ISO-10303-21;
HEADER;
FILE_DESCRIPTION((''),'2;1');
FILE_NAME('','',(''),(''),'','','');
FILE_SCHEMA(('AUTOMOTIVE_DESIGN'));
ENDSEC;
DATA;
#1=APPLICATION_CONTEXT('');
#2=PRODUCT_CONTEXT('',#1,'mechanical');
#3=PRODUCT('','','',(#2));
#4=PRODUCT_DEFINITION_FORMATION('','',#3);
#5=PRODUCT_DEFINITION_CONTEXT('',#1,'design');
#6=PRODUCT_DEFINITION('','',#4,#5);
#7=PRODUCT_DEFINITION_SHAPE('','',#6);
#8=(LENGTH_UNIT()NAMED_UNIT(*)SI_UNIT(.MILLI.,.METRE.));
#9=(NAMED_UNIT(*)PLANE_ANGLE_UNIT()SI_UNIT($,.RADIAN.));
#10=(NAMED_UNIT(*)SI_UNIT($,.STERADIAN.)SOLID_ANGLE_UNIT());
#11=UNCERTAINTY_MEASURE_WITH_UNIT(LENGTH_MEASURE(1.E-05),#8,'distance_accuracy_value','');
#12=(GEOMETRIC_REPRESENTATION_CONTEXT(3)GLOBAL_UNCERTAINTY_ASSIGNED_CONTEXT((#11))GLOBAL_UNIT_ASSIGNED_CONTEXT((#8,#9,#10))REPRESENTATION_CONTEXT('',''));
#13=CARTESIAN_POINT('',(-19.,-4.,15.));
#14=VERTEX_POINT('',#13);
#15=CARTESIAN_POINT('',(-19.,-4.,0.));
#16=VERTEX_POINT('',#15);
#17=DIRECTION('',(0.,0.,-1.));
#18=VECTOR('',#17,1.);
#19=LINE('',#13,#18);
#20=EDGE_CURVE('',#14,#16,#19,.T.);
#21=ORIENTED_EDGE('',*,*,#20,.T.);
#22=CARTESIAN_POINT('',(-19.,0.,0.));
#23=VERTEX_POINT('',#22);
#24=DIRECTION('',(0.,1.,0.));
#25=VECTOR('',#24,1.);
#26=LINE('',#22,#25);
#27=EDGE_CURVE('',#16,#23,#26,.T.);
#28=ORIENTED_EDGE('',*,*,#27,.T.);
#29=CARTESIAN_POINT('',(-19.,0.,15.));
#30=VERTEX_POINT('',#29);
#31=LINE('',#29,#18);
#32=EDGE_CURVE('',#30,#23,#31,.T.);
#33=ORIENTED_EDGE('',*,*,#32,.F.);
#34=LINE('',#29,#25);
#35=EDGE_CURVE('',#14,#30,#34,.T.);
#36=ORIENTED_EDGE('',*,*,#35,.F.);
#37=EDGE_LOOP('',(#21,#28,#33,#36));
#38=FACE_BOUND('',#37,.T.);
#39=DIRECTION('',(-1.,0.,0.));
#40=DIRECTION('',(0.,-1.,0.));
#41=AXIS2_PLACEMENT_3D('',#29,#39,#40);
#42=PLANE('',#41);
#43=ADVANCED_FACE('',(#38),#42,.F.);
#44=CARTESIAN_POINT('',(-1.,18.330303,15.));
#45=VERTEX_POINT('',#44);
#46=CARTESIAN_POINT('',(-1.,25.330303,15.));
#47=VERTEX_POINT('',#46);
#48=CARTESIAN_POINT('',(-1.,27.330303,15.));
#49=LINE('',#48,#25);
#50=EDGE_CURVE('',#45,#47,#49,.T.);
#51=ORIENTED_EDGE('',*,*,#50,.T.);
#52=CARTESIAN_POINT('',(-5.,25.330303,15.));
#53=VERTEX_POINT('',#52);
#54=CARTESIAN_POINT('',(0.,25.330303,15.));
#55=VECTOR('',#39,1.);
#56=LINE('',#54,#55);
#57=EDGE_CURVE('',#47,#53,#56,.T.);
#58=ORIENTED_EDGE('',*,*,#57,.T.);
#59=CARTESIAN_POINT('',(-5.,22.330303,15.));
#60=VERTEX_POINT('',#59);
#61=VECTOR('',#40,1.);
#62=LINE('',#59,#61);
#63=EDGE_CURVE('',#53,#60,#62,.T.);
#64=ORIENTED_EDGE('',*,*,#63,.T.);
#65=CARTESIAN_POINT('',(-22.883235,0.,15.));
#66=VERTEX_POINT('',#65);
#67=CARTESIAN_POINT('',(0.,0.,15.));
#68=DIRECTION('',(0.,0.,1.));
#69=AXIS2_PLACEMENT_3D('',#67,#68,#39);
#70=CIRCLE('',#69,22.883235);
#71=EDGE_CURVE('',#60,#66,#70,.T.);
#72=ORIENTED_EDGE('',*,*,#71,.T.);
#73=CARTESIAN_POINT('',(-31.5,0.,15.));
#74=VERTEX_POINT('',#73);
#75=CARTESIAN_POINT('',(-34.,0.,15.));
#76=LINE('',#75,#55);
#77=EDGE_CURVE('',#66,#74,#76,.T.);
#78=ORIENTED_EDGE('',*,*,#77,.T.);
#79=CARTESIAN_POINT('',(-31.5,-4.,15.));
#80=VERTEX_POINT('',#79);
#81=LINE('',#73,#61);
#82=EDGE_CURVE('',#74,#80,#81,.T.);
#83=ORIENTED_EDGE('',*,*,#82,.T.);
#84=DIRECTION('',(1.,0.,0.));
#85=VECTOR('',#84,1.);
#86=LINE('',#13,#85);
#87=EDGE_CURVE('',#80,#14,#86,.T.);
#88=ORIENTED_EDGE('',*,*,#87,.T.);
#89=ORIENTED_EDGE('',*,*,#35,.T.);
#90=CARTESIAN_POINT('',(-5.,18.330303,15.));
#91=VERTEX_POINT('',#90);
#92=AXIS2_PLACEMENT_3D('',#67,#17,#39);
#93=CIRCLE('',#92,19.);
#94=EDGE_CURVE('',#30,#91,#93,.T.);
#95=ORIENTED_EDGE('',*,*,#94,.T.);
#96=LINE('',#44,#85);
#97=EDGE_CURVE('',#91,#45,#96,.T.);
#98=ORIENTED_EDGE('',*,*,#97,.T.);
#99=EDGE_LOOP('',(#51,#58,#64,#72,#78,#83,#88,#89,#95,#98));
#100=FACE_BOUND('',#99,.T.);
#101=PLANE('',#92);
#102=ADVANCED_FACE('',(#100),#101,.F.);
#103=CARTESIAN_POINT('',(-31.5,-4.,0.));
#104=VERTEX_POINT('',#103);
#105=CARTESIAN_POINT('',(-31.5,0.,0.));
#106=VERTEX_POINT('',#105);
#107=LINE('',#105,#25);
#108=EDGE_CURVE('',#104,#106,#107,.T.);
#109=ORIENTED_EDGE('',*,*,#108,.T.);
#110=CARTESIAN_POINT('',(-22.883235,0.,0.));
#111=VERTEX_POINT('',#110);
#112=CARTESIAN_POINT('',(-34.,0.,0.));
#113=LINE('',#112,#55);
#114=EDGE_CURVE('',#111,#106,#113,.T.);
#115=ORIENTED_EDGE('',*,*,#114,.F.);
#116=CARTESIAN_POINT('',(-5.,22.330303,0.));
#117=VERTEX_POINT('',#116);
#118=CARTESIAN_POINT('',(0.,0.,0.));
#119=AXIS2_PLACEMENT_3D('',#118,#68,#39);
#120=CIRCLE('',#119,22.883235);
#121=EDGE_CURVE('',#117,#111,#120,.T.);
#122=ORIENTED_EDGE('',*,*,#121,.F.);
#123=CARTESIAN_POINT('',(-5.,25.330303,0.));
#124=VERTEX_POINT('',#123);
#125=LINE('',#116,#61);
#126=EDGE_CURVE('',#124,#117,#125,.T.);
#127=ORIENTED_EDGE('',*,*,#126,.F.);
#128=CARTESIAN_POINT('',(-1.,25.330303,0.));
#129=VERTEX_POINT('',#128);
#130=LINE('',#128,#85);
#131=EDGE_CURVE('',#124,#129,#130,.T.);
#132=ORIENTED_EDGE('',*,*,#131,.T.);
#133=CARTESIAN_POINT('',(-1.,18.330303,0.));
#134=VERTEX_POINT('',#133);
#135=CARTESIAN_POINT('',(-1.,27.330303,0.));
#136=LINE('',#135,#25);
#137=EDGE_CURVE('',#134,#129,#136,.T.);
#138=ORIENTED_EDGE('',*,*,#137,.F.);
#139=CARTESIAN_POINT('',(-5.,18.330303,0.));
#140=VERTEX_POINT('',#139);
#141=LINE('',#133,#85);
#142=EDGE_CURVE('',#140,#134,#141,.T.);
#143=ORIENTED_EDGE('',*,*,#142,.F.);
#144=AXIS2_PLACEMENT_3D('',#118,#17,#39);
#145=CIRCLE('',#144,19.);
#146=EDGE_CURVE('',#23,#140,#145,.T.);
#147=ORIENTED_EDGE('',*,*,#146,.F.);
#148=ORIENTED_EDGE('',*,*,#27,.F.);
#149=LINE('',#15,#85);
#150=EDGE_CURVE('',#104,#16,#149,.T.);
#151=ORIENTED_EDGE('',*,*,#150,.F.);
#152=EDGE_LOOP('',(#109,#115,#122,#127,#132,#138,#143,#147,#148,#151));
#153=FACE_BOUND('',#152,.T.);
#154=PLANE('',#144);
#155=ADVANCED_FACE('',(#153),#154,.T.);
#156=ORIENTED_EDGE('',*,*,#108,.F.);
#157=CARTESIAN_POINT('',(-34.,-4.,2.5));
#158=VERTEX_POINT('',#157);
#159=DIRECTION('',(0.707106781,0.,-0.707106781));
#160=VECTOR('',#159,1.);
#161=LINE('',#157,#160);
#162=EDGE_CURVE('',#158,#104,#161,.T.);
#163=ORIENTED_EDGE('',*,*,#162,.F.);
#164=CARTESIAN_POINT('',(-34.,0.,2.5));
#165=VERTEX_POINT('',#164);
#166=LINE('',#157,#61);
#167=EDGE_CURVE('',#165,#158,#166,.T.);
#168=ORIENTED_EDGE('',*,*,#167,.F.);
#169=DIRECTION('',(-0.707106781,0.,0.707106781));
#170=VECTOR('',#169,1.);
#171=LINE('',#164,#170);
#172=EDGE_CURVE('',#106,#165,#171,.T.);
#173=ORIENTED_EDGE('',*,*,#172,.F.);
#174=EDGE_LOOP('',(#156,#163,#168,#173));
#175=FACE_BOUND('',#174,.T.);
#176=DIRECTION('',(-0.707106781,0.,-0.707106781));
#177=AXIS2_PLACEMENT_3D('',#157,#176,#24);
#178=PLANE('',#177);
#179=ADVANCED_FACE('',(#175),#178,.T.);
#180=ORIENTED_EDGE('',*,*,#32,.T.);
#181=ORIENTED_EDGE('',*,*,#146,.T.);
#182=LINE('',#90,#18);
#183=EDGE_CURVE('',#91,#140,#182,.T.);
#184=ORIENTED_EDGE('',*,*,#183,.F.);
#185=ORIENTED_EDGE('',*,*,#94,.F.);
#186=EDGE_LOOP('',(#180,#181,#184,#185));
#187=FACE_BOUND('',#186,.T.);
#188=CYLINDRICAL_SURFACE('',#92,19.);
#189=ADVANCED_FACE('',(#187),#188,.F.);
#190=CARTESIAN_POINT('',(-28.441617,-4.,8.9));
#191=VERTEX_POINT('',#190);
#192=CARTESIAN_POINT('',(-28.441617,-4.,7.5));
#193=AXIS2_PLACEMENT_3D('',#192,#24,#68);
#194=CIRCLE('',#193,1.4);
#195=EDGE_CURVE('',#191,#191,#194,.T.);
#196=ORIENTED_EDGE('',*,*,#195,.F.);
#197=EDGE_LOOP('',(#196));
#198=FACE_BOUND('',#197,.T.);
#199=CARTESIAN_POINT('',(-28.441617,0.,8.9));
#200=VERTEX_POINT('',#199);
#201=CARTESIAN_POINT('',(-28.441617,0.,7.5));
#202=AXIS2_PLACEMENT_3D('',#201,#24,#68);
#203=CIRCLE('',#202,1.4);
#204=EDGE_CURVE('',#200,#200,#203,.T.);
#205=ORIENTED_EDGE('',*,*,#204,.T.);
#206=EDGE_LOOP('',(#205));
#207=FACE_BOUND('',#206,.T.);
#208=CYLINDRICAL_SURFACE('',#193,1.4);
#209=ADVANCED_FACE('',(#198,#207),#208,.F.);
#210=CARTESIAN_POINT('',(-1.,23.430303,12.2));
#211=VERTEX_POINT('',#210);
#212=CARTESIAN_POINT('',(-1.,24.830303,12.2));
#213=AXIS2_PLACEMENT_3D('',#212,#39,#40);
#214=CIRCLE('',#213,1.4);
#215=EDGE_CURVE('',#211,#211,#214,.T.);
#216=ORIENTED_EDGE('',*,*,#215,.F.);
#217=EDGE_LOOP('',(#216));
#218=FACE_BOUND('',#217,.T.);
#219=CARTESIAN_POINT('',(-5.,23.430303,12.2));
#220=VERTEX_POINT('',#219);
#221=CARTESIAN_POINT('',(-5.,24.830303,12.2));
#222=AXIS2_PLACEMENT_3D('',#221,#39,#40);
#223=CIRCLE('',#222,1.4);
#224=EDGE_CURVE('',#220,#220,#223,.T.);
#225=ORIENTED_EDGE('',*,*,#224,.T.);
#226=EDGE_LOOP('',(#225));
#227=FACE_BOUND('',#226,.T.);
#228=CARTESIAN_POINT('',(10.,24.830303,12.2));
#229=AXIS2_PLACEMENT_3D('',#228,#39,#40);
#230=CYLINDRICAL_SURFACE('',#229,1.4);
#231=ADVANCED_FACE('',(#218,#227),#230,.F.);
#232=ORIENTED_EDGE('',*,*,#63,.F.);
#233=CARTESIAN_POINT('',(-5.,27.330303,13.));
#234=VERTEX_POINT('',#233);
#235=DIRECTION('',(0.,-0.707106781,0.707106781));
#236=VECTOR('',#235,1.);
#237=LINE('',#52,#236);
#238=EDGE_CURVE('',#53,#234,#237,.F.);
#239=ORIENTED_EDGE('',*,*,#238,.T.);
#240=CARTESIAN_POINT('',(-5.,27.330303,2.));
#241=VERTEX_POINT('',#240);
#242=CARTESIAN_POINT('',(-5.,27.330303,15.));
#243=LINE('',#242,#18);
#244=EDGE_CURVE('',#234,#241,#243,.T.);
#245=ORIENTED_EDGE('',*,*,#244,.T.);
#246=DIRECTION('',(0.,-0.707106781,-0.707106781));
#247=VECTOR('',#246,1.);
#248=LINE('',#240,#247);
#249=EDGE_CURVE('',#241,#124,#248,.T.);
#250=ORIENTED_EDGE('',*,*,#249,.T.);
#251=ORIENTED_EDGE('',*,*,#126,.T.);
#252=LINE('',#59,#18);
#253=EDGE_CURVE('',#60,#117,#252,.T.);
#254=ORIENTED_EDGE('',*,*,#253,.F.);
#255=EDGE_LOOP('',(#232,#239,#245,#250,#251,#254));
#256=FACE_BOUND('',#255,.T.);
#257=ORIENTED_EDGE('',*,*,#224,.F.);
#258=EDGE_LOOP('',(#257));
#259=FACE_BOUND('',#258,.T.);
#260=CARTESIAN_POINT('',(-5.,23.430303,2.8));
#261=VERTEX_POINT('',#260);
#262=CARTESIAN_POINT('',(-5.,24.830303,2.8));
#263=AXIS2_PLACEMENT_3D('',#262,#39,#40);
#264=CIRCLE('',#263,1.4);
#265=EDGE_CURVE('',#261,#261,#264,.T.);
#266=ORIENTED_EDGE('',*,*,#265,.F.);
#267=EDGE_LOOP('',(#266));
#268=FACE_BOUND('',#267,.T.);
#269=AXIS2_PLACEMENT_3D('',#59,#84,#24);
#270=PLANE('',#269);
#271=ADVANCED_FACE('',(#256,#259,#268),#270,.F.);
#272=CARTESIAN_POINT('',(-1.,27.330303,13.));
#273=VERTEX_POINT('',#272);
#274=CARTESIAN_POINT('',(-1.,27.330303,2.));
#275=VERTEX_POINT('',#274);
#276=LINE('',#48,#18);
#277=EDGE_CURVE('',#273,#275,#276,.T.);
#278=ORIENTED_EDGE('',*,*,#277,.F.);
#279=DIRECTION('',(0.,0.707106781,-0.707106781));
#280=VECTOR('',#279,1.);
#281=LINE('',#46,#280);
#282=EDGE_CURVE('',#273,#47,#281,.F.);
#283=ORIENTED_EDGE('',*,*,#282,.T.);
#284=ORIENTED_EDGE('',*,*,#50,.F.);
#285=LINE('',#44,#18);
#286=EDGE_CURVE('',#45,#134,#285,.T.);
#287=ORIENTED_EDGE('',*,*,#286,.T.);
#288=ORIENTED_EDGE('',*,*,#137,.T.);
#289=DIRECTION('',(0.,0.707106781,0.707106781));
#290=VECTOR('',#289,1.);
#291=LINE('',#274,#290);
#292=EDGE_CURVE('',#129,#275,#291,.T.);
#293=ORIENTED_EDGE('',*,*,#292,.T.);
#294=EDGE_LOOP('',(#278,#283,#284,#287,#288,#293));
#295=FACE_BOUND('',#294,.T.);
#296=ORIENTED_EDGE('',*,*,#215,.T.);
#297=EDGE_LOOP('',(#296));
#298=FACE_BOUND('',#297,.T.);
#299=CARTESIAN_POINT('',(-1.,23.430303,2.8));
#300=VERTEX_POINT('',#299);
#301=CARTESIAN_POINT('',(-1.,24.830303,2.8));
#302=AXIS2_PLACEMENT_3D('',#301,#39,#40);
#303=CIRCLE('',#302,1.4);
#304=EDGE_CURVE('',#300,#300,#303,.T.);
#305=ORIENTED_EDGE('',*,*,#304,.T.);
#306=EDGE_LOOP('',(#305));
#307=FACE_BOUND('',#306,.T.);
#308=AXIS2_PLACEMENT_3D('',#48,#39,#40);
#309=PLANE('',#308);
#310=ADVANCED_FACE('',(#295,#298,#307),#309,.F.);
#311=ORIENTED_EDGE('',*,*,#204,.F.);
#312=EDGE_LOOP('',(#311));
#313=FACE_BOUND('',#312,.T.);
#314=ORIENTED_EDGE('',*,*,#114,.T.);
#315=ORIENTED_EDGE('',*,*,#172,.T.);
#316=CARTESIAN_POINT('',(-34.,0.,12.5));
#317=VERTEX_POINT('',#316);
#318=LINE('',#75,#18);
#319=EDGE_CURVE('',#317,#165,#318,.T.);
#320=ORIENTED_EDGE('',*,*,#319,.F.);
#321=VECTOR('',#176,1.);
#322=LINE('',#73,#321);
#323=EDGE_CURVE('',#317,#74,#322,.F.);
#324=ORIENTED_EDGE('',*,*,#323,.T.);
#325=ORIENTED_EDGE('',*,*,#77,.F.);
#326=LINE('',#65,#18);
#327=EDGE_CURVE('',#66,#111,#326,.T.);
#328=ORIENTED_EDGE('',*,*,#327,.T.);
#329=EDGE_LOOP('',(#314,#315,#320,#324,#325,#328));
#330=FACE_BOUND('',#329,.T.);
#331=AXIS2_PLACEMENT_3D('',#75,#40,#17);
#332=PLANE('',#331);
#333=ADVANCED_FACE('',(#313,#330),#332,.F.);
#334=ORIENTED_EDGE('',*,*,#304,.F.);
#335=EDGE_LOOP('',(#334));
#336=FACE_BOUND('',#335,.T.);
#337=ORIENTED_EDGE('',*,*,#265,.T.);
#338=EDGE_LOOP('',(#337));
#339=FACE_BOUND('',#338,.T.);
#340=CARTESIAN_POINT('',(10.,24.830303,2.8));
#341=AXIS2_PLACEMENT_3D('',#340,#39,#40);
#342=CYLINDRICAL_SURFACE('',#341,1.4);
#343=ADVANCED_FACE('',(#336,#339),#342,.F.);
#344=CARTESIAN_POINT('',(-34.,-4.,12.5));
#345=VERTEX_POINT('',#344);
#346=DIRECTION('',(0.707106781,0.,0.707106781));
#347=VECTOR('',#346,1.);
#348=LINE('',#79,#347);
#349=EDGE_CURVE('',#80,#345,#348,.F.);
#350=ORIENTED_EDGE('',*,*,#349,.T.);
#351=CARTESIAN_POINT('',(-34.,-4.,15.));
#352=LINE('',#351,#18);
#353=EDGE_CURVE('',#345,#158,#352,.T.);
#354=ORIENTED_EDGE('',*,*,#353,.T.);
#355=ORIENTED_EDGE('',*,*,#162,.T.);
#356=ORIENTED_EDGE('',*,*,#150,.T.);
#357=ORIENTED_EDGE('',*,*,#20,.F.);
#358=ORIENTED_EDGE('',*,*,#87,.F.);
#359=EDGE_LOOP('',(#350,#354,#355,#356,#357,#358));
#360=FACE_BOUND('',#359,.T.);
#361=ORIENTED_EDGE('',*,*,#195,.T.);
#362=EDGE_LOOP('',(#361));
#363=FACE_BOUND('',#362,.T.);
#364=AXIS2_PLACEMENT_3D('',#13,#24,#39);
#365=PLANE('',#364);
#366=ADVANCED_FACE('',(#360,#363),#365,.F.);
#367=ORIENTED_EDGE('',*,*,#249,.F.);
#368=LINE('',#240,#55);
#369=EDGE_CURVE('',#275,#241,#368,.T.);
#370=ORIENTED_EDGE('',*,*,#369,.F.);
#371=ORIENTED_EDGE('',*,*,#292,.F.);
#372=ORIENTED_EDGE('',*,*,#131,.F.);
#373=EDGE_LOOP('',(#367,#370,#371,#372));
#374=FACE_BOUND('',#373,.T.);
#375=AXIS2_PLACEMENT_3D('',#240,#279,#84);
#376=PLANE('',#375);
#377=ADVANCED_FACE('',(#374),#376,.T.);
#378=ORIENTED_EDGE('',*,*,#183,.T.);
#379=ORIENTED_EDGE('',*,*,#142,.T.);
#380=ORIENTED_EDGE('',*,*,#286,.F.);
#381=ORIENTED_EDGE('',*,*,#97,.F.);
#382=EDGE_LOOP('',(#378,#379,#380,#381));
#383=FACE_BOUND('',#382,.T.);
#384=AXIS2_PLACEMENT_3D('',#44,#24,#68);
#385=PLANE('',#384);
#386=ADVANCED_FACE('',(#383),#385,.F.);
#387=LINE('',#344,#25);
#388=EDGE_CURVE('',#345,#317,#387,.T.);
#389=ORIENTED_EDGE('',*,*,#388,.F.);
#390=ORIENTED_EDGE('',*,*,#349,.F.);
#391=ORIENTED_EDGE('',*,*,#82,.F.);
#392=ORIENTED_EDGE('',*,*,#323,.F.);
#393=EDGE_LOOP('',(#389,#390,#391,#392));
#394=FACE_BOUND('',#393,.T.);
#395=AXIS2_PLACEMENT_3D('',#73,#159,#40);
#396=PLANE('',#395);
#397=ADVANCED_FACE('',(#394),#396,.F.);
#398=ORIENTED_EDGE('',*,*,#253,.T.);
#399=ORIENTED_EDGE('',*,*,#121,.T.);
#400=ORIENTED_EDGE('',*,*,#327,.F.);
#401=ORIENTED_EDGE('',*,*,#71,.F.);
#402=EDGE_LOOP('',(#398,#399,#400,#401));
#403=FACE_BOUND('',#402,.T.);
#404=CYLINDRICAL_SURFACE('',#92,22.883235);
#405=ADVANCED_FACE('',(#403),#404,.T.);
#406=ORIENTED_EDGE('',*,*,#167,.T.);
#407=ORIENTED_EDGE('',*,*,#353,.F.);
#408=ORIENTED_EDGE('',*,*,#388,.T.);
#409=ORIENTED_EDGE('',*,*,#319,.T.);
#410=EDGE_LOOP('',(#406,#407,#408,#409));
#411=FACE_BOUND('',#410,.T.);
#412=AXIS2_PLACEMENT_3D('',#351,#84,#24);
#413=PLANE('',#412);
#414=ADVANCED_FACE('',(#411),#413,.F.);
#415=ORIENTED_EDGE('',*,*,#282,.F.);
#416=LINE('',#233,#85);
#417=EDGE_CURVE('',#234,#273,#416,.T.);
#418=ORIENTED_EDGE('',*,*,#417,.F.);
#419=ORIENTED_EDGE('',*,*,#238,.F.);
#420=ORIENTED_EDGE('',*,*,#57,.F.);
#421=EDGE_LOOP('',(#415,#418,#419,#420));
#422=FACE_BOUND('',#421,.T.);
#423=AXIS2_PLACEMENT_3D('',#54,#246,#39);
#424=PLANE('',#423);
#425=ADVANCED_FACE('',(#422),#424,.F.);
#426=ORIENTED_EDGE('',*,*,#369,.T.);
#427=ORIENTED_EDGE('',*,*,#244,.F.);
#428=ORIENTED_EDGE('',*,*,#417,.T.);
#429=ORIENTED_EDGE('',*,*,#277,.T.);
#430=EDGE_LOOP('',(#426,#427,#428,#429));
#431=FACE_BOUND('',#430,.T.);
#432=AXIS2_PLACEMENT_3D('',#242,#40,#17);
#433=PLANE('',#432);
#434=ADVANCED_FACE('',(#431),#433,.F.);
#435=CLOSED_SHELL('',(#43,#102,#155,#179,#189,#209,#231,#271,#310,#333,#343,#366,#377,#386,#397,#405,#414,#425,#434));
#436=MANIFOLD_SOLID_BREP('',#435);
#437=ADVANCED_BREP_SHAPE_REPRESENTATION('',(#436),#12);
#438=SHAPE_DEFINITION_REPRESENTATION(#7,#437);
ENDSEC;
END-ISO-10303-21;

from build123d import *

# Parameters (mm, degrees)
BOSS_EXTRUDE1_DEPTH = 15
CHAMFER1_SIZE       = 2.5
SKETCH2_R           = 1.4
CUT_EXTRUDE1_DEPTH  = 15
CHAMFER2_SIZE       = 2
SKETCH3_R           = 1.4
CUT_EXTRUDE2_DEPTH  = 47.129659115


with BuildPart() as part:
    # Sketch1 → Boss-Extrude1 (new body)
    with BuildSketch(Plane.XY):
        with BuildLine():
            Line((-19, 0), (-19, -4))
            Line((-19, -4), (-34, -4))
            Line((-34, -4), (-34, 0))
            Line((-34, 0), (-22.883234523, 0))
            ThreePointArc((-22.883234523, 0), (-17.861391251, 14.304304416), (-5, 22.33030278))
            Line((-5, 22.33030278), (-5, 27.33030278))
            Line((-5, 27.33030278), (-1, 27.33030278))
            Line((-1, 27.33030278), (-1, 18.33030278))
            Line((-1, 18.33030278), (-5, 18.33030278))
            ThreePointArc((-5, 18.33030278), (-15.099668871, 11.532562595), (-19, 0))
        make_face()
    extrude(amount=BOSS_EXTRUDE1_DEPTH)

    # Chamfer1
    chamfer1_edges = [part.edges().sort_by_distance(p)[0] for p in [
        (-34, -2, 0),
        (-34, -2, 15),
    ]]
    chamfer(chamfer1_edges, length=CHAMFER1_SIZE)

    # Sketch2 → Cut-Extrude1 (cut)
    with BuildSketch(Plane.ZY.offset(5)):
        with Locations(Location((2.8, 24.83030278, 0), (0, 0, 270))):
            Circle(SKETCH2_R)
        with Locations(Location((12.2, 24.83030278, 0), (0, 0, 270))):
            Circle(SKETCH2_R)
    extrude(amount=-CUT_EXTRUDE1_DEPTH, mode=Mode.SUBTRACT)

    # Chamfer2
    chamfer2_edges = [part.edges().sort_by_distance(p)[0] for p in [
        (-3, 27.33030278, 0),
        (-3, 27.33030278, 15),
    ]]
    chamfer(chamfer2_edges, length=CHAMFER2_SIZE)

    # Sketch3 → Cut-Extrude2 (cut, through all)
    with BuildSketch(Plane(origin=(0, 0, 0), x_dir=(1, 0, 0), z_dir=(0, 1, 0))):
        with Locations(Location((-28.441617262, -7.5, 0), (0, 0, 270))):
            Circle(SKETCH3_R)
    extrude(amount=-CUT_EXTRUDE2_DEPTH, mode=Mode.SUBTRACT)


solid = part.part
